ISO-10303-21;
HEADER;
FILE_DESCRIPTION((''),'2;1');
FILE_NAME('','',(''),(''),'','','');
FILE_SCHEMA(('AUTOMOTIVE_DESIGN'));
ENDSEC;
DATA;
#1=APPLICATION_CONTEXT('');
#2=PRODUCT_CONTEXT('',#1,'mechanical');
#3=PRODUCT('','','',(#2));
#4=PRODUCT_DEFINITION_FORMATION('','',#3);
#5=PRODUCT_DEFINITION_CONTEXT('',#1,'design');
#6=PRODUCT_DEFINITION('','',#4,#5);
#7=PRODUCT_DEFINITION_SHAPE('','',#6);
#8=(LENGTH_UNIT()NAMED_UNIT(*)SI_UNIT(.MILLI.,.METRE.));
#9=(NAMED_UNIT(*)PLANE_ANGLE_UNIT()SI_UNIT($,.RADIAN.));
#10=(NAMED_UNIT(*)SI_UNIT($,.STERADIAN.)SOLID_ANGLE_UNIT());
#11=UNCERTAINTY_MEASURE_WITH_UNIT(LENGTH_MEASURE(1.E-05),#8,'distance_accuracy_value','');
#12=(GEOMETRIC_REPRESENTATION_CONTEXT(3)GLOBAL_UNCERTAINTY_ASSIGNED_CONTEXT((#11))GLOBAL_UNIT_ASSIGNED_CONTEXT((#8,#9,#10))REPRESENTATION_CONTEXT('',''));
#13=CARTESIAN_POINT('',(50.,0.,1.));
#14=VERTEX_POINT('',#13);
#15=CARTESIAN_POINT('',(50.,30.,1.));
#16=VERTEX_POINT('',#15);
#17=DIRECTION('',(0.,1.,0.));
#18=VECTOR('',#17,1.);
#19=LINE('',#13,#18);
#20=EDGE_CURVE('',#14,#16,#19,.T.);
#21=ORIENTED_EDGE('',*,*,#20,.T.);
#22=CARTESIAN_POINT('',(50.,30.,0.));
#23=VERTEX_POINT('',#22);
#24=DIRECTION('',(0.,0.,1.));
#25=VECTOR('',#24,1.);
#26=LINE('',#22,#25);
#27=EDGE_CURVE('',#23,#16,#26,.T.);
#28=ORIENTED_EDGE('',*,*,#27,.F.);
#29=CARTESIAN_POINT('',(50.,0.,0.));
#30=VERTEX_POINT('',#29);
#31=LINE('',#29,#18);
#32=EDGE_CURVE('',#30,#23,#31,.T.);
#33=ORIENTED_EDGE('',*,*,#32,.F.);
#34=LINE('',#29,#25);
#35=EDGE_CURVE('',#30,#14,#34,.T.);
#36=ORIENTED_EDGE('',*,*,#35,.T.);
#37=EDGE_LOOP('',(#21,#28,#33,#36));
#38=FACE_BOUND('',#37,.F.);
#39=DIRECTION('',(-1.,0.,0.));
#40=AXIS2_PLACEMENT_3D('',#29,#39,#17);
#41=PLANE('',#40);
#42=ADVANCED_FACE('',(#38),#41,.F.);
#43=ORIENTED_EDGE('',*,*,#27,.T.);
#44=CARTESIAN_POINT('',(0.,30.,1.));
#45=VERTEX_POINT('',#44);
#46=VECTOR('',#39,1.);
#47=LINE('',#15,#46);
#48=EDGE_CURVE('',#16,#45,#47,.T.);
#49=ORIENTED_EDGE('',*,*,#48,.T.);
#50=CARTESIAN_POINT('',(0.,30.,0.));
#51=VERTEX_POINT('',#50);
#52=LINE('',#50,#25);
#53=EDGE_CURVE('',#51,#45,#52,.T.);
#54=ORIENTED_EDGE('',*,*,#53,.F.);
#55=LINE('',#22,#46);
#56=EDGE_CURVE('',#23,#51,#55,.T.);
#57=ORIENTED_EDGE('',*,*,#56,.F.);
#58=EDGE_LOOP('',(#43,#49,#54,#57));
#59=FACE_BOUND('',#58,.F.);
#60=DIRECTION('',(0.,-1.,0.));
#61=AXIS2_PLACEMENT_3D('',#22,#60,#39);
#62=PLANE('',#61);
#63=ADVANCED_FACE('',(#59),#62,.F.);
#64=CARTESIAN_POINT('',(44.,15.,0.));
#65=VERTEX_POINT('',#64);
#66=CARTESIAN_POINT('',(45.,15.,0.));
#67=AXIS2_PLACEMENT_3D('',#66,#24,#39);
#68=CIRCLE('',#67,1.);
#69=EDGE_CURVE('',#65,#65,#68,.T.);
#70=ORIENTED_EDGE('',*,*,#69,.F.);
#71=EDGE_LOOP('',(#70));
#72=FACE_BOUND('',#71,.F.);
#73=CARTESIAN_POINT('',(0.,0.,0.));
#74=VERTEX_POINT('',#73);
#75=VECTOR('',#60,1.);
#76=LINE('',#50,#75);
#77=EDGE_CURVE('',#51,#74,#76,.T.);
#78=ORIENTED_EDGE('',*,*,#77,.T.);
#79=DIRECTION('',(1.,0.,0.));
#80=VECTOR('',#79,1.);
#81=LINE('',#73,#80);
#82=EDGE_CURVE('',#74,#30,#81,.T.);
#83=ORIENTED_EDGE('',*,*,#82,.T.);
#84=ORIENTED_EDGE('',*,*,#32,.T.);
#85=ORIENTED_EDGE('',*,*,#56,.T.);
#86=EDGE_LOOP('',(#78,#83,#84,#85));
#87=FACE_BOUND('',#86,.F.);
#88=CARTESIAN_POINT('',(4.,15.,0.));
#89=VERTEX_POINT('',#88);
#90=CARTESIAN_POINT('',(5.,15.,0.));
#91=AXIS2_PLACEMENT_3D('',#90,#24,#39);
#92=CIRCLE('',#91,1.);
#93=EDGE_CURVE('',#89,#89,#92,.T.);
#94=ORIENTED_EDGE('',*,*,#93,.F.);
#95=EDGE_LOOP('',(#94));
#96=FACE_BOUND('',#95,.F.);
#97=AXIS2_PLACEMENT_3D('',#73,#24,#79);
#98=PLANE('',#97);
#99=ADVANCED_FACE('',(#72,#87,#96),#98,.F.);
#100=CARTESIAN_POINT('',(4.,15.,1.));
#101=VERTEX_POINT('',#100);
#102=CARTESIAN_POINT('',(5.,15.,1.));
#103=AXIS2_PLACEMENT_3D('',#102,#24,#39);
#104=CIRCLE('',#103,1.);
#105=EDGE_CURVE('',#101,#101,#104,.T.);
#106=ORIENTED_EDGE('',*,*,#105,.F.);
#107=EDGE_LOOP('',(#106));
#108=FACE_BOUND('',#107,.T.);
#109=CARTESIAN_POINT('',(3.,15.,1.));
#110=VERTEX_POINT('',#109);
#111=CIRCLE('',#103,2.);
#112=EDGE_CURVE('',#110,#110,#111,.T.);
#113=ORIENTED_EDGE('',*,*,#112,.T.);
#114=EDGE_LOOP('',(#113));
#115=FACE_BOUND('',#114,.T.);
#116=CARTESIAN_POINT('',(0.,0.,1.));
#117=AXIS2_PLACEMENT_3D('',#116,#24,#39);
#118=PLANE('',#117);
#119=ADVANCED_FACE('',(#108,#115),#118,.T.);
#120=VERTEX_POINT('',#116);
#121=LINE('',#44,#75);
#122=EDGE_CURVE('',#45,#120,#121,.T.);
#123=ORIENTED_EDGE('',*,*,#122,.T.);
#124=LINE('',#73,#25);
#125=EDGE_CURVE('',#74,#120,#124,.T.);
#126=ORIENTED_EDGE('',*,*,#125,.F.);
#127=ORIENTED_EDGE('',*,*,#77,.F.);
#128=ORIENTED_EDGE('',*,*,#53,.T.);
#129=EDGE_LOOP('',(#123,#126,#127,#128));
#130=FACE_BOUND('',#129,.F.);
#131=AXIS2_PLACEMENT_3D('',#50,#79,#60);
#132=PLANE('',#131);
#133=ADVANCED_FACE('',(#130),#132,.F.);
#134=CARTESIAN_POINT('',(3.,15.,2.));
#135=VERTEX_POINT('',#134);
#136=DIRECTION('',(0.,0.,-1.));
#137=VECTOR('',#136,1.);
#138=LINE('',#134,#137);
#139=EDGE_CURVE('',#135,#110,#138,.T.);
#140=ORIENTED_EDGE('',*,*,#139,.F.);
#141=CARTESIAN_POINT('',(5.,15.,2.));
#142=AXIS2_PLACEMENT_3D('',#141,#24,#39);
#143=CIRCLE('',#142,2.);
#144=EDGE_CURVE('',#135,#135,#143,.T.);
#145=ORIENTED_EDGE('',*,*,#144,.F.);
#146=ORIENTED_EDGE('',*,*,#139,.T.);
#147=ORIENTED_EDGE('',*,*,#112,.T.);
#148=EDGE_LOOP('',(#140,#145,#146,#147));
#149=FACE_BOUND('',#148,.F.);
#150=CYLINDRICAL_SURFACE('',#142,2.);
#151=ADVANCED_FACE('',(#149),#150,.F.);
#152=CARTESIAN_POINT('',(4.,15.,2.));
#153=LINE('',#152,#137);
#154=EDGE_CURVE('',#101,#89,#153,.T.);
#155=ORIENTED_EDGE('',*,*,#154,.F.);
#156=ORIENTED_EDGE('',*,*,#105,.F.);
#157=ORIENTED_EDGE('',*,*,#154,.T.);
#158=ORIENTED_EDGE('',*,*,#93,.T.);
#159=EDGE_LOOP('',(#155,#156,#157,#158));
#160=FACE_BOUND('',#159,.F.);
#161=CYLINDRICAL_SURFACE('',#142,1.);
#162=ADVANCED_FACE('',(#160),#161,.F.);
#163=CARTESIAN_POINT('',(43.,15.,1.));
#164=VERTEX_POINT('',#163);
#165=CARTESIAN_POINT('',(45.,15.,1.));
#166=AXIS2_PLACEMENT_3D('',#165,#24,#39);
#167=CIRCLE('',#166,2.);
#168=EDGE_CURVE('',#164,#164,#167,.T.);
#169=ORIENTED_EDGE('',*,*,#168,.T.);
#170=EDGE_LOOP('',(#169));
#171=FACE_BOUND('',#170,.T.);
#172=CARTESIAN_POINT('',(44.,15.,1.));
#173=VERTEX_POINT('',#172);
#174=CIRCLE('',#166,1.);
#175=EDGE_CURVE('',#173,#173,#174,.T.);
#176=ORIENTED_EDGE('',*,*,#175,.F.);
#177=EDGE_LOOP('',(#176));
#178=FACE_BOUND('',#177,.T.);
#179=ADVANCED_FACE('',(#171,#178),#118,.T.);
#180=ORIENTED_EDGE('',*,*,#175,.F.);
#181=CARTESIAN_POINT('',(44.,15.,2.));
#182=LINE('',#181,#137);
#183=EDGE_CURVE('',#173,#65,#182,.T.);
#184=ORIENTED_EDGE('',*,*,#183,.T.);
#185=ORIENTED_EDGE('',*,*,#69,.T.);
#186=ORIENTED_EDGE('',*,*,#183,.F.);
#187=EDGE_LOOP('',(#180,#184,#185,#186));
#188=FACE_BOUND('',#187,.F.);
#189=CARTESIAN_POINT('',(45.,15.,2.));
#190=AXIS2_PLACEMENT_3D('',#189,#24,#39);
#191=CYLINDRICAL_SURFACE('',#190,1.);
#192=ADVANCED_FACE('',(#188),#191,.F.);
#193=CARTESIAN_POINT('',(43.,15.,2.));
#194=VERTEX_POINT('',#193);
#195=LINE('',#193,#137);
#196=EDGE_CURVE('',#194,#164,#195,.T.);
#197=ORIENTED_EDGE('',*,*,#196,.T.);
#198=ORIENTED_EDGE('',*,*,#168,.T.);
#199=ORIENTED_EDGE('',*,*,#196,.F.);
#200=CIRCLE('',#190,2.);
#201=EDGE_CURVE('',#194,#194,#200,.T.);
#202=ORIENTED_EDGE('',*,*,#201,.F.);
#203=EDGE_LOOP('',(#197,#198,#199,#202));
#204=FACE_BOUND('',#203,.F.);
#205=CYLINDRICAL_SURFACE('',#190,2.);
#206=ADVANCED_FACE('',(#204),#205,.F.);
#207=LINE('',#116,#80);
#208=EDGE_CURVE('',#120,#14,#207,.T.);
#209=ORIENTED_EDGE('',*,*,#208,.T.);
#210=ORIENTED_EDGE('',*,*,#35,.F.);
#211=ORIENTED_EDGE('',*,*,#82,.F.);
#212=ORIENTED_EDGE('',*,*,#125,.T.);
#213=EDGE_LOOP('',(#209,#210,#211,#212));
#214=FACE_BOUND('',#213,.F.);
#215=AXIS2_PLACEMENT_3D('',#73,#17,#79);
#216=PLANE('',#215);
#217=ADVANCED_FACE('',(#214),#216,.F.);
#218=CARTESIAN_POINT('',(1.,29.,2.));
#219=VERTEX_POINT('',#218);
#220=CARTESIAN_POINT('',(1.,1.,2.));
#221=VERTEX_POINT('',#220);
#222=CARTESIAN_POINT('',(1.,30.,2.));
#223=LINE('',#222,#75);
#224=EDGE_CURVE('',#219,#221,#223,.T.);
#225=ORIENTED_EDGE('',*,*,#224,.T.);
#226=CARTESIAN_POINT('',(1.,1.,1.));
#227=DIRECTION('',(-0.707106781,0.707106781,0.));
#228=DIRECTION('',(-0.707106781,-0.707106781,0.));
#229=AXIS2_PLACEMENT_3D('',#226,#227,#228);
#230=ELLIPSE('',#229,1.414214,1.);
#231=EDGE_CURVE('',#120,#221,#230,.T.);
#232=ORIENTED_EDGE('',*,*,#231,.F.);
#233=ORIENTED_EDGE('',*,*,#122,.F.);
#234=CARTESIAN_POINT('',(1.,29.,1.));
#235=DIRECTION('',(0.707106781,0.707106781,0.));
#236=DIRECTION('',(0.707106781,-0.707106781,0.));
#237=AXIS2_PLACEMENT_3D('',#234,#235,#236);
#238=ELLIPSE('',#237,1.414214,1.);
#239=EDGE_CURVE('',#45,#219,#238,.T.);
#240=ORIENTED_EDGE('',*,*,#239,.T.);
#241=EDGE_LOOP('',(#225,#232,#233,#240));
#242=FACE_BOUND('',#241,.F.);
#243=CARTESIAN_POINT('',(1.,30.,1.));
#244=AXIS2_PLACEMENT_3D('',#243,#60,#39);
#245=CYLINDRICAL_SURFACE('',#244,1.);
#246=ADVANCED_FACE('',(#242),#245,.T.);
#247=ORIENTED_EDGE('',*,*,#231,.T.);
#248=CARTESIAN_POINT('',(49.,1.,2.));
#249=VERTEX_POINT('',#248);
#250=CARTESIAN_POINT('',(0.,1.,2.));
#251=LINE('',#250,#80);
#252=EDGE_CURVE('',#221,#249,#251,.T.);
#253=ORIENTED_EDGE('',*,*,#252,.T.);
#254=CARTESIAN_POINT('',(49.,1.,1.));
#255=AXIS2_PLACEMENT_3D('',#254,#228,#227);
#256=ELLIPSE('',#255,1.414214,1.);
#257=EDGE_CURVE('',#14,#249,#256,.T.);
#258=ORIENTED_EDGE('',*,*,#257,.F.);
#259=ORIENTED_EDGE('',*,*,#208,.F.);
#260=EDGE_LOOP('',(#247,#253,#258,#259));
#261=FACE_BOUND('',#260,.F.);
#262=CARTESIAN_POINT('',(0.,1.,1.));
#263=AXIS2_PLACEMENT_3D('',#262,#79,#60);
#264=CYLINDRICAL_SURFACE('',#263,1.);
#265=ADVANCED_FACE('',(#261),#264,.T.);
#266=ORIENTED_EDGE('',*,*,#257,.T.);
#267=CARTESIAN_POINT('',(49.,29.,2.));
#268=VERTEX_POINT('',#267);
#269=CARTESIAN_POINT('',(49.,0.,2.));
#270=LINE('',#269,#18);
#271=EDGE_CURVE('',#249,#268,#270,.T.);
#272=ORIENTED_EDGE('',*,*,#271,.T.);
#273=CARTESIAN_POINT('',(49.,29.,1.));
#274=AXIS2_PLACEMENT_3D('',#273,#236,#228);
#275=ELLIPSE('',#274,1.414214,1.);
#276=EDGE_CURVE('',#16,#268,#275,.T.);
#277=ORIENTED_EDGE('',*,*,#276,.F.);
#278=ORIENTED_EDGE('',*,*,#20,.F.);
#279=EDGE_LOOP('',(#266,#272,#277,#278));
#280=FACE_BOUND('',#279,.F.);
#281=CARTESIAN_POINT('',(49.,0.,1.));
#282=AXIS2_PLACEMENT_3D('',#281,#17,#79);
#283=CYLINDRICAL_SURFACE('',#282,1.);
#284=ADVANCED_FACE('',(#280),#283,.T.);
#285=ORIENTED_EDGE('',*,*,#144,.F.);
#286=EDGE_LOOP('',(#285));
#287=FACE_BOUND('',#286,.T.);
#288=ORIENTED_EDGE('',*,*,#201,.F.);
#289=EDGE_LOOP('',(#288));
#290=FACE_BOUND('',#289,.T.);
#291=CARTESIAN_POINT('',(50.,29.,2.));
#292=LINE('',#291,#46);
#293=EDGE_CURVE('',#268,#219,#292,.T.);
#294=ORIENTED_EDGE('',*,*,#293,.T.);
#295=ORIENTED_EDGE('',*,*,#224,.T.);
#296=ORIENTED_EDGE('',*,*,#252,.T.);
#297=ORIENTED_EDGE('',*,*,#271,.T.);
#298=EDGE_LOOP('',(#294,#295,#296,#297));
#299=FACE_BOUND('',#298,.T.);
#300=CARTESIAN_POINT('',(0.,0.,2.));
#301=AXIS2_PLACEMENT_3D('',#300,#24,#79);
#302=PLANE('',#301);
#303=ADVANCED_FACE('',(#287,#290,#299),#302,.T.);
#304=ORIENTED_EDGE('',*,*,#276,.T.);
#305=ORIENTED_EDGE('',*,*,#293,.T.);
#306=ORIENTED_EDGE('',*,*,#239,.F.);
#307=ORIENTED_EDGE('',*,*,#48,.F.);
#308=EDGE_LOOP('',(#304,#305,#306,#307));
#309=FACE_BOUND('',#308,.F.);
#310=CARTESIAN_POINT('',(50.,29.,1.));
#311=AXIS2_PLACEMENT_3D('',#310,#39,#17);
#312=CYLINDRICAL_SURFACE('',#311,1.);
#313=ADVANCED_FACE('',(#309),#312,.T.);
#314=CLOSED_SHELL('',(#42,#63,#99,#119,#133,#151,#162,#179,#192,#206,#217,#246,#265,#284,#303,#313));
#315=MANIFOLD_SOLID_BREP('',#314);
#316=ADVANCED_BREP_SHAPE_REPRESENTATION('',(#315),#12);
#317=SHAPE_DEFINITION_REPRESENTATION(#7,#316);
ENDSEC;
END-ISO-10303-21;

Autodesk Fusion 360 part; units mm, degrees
sketch "Sketch1" plane through (0, 0, 0) normal (0, 0, 1) x (1, 0, 0)
  line L0 (0, 0) -> (50, 0)
  line L1 (50, 0) -> (50, 30)
  line L2 (50, 30) -> (0, 30)
  line L3 (0, 30) -> (0, 0)
  dimension "d1" = 50
  dimension "d2" = 30
extrude "Extrude1" add sketch "Sketch1" along normal blind 2
fillet "Fillet1" radius 1 1 faces at (16.6667, 20, 2)
sketch "Sketch2" plane through (0, 0, 2) normal (0, 0, 1) x (-1, 0, 0)
  line L0 (-49, -1) -> (-49, -29)
  line L1 (-49, -29) -> (-1, -29)
  line L2 (-1, -29) -> (-1, -1)
  line L3 (-1, -1) -> (-49, -1)
  circle A0 centre (-5, -15) radius 1
  circle A1 centre (-45, -15) radius 1
  line L4 (0, -30) -> (0, 0)
  line L5 (-50, -30) -> (0, -30)
  dimension "d7" = 2
  dimension "d8" = 2
  dimension "d9" = 40
  dimension "d10" = 5
  dimension "d11" = 15
extrude "Extrude2" cut sketch "Sketch2" against normal blind 1 contours A0 | A1
sketch "Sketch3" plane through (0, 0, 2) normal (0, 0, 1) x (-1, 0, 0)
  circle A0 centre (-45, -15) radius 1
  circle A1 centre (-5, -15) radius 1
  line L0 (-49, -1) -> (-49, -29)
  line L1 (-49, -29) -> (-1, -29)
  line L2 (-1, -29) -> (-1, -1)
  line L3 (-1, -1) -> (-49, -1)
  circle A2 centre (-5, -15) radius 2
  circle A3 centre (-45, -15) radius 2
  dimension "d14" = 4
  dimension "d15" = 4
extrude "Extrude4" cut sketch "Sketch3" against normal blind 11 contours A0 | A1
extrude "Extrude5" cut sketch "Sketch3" against normal blind 1 contours A2 | A3
extrude "Extrude3" [suppressed]
